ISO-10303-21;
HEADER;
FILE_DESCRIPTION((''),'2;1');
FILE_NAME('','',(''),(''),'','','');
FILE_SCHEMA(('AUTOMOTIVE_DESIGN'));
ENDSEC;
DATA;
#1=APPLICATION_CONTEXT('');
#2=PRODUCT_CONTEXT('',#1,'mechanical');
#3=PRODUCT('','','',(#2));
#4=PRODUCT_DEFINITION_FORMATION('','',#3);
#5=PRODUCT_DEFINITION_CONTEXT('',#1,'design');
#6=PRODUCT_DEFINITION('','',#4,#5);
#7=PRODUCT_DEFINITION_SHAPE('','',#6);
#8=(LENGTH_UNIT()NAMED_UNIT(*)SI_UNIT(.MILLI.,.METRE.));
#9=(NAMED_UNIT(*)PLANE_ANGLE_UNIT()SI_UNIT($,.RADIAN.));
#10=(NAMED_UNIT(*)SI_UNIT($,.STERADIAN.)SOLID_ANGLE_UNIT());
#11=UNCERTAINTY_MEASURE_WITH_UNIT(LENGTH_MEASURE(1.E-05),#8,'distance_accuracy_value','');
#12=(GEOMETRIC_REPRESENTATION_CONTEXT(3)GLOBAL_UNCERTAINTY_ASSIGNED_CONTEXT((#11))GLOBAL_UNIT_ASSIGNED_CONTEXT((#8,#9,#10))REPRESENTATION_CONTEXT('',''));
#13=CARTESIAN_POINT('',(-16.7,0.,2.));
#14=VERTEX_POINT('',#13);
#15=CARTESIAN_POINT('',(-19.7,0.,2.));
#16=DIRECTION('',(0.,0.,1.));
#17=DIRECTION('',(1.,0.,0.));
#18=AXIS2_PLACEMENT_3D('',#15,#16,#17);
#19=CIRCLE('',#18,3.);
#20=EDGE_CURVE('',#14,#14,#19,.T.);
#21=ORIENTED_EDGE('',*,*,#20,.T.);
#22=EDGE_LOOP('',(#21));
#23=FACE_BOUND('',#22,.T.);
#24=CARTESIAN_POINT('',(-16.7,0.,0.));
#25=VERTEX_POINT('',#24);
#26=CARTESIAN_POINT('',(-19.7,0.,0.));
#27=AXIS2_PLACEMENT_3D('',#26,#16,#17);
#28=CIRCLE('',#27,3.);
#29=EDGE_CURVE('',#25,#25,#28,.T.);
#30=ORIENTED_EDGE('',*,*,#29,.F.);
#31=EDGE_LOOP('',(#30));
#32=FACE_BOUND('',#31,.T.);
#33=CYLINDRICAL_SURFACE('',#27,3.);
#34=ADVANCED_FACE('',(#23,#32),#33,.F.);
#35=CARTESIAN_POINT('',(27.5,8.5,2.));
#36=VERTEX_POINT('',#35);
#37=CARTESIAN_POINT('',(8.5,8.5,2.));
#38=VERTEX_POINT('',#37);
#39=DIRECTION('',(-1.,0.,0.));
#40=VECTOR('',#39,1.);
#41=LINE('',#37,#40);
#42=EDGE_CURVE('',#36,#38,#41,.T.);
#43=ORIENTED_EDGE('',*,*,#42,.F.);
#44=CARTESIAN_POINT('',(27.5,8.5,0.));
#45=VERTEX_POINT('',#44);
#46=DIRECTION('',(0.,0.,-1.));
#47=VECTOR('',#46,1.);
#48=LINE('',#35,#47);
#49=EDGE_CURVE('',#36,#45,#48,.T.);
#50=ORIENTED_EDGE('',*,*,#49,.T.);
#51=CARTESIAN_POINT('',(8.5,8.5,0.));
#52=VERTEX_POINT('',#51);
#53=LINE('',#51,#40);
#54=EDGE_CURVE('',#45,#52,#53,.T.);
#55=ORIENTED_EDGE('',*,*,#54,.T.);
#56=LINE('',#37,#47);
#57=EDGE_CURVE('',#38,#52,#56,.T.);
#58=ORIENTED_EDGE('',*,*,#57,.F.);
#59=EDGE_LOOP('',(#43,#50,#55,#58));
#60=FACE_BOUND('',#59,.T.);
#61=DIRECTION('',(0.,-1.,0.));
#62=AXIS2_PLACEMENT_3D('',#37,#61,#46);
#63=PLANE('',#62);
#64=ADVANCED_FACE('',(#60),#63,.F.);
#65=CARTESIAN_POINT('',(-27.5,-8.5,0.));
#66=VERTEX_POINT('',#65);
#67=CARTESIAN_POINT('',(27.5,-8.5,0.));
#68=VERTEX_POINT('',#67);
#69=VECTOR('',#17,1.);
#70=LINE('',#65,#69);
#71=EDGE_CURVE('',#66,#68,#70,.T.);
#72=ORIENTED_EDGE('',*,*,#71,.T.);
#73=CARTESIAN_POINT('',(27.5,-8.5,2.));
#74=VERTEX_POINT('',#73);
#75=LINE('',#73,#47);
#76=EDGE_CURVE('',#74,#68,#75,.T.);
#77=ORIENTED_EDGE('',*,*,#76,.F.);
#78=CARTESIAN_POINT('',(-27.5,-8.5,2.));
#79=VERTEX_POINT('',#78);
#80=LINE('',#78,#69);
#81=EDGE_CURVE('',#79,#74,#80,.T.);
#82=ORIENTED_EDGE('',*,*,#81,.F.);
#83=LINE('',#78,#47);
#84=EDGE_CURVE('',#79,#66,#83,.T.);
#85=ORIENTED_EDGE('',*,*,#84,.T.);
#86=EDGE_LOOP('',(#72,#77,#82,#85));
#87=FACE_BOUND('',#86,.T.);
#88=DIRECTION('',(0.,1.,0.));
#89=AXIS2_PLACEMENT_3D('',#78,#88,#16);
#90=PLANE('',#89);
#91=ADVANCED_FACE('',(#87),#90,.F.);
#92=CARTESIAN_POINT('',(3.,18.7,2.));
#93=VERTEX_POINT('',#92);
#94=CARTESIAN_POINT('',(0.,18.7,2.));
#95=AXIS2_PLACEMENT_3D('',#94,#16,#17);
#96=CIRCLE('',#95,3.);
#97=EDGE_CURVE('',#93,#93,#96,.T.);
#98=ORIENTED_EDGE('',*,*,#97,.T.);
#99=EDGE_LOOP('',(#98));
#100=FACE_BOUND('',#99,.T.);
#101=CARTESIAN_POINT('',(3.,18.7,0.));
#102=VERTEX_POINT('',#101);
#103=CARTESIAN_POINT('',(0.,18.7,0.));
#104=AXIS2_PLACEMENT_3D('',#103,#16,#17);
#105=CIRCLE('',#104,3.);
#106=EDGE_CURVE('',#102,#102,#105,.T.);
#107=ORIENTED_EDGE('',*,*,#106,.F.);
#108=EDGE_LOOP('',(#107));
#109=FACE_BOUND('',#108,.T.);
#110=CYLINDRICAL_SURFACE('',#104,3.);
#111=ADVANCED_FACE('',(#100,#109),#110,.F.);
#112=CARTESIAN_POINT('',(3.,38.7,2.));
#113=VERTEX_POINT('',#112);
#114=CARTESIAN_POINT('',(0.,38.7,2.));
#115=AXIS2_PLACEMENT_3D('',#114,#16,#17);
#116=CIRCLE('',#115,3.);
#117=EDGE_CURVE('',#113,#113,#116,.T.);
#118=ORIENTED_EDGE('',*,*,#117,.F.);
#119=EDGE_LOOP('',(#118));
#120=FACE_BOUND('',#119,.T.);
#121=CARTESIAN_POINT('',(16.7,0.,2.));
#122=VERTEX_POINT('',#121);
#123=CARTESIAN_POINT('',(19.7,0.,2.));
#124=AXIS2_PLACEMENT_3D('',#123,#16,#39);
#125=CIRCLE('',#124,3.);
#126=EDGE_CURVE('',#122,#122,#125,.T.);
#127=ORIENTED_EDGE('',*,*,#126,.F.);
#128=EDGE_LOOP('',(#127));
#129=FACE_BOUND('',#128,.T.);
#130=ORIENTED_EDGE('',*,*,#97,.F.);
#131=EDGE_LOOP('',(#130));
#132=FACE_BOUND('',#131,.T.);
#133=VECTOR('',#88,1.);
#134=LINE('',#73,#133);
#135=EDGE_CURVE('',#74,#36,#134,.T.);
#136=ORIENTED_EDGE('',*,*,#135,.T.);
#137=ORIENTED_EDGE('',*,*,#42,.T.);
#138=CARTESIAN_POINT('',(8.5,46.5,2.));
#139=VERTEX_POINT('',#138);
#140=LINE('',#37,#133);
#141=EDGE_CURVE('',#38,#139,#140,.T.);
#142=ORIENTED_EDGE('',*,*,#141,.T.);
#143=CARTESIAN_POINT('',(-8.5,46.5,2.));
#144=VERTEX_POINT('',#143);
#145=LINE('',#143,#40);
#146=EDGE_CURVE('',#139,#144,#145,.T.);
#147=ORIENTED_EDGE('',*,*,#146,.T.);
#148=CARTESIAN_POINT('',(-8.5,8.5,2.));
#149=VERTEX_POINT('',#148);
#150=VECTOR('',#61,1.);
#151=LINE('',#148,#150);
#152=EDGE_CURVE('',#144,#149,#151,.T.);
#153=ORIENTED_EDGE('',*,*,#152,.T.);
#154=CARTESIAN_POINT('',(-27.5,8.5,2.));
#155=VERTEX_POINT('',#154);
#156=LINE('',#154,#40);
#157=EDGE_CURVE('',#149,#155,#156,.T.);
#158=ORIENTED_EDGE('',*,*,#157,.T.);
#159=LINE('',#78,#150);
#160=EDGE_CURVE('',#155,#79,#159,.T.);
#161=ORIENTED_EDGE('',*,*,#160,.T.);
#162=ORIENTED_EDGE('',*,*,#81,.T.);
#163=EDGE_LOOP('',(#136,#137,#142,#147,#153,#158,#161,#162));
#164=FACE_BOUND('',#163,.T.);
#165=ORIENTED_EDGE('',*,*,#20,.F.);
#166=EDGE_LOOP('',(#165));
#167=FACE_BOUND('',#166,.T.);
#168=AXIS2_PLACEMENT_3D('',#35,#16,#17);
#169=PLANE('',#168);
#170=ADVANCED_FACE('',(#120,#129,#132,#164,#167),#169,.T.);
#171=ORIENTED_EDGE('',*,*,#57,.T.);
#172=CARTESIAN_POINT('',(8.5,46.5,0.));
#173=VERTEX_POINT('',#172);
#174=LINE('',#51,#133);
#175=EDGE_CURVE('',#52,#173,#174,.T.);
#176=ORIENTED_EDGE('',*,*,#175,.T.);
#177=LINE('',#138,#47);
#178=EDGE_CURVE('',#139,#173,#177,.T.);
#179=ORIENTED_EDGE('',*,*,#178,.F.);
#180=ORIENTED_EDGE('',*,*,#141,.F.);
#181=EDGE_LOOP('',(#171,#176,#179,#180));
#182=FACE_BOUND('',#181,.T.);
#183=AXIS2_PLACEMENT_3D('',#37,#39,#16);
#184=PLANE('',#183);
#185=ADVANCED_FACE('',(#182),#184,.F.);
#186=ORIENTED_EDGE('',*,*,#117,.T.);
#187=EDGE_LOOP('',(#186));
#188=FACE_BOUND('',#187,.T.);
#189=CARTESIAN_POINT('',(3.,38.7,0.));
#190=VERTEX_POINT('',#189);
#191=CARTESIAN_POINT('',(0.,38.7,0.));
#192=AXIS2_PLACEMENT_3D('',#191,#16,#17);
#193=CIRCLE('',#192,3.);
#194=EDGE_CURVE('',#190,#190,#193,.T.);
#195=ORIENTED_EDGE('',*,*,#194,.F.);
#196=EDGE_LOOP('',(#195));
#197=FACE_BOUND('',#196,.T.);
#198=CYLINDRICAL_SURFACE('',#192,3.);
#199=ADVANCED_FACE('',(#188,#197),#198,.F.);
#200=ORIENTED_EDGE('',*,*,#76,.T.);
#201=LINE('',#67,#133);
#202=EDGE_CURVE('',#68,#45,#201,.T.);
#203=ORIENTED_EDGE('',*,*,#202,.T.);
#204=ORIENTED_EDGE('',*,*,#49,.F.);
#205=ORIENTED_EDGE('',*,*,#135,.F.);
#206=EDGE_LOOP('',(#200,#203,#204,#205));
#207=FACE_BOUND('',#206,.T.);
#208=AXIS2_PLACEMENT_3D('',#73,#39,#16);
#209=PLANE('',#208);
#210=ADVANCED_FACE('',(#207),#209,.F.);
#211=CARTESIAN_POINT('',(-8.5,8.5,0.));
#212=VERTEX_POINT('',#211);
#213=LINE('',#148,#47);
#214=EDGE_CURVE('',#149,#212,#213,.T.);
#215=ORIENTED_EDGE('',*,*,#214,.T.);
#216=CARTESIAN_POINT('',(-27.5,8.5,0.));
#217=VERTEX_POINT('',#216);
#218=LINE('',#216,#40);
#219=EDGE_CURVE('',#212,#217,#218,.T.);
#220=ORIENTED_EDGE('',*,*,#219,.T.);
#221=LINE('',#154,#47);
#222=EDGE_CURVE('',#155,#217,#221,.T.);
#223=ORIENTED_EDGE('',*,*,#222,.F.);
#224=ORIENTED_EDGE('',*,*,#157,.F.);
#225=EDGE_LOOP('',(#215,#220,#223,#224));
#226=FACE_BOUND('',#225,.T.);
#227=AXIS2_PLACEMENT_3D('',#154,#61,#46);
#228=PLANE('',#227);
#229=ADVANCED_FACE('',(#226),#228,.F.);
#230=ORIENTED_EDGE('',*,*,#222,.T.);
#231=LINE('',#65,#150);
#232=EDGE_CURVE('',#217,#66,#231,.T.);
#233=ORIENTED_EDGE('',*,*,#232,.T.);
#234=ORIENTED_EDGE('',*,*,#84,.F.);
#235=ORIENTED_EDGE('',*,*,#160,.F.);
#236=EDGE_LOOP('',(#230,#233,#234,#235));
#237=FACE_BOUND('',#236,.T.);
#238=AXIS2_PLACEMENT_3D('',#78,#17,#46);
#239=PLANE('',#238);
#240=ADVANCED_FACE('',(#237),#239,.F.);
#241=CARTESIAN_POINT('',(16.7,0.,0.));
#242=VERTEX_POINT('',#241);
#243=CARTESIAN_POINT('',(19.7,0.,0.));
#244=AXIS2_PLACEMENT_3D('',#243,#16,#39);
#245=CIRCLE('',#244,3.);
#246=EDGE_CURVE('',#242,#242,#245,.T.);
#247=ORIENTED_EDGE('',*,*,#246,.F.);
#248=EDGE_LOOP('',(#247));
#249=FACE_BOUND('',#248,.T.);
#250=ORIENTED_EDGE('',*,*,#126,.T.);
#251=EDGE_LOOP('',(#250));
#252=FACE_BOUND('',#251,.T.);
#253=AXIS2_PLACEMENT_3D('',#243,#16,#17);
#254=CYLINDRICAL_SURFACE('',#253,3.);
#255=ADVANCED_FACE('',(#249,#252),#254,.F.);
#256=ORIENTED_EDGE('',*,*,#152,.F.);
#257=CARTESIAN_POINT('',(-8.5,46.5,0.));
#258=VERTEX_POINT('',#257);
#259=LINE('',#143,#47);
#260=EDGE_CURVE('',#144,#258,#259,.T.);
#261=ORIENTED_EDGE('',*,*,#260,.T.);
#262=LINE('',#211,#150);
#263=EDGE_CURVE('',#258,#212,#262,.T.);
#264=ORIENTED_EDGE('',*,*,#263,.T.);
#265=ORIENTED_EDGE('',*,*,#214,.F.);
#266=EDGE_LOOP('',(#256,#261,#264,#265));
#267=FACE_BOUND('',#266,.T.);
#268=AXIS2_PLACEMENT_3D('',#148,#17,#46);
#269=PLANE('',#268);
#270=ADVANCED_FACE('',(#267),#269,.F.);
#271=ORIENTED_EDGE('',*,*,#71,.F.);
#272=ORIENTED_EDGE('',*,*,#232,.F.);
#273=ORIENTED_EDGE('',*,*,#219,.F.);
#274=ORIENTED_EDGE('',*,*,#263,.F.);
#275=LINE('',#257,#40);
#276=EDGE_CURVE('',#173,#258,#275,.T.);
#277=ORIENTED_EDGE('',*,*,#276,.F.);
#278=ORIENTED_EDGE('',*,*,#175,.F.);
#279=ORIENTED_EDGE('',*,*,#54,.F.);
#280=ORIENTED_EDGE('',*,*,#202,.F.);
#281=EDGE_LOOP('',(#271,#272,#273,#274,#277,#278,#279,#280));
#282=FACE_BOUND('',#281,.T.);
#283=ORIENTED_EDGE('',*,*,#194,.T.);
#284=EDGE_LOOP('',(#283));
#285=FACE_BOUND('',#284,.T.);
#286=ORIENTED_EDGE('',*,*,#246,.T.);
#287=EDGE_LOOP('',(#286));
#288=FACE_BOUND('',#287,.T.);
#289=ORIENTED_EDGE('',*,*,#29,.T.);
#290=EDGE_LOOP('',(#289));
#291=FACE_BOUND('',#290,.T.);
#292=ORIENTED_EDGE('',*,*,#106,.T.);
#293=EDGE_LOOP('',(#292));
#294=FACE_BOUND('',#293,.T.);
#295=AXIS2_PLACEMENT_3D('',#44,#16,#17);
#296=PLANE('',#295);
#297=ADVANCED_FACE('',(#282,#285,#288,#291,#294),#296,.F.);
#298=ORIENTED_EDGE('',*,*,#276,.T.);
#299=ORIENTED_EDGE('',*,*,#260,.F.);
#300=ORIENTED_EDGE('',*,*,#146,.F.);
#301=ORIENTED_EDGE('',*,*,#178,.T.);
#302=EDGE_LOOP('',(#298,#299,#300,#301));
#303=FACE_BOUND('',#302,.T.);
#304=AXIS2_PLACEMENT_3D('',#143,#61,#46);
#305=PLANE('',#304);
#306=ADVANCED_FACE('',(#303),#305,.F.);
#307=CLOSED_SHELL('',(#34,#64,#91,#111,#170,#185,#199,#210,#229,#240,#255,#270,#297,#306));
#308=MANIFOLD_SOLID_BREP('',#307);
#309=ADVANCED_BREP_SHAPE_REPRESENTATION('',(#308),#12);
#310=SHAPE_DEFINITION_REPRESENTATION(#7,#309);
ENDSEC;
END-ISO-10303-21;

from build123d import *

# Parameters (mm, degrees)
EXTRUDE_1_DEPTH     = 2
SKETCH_2_R          = 3
CUT_EXTRUDE_1_DEPTH = 55.060151683


with BuildPart() as part:
    # 草图1 → 凸台-拉伸1 (new body)
    with BuildSketch(Plane.XY):
        Polygon((-27.5, -8.5), (27.5, -8.5), (27.5, 8.5), (8.5, 8.5), (8.5, 46.5), (-8.5, 46.5), (-8.5, 8.5), (-27.5, 8.5), align=None)
    extrude(amount=EXTRUDE_1_DEPTH)

    # 草图2 → 切除-拉伸1 (cut, through all)
    with BuildSketch(Plane.XY.offset(2)):
        with Locations((0, 38.7)):
            Circle(SKETCH_2_R)
        with Locations((0, 18.7)):
            Circle(SKETCH_2_R)
        with Locations((-19.7, 0)):
            Circle(SKETCH_2_R)
        with Locations(Location((19.7, 0, 0), (0, 0, 180))):
            Circle(SKETCH_2_R)
    extrude(amount=-CUT_EXTRUDE_1_DEPTH, mode=Mode.SUBTRACT)


solid = part.part
